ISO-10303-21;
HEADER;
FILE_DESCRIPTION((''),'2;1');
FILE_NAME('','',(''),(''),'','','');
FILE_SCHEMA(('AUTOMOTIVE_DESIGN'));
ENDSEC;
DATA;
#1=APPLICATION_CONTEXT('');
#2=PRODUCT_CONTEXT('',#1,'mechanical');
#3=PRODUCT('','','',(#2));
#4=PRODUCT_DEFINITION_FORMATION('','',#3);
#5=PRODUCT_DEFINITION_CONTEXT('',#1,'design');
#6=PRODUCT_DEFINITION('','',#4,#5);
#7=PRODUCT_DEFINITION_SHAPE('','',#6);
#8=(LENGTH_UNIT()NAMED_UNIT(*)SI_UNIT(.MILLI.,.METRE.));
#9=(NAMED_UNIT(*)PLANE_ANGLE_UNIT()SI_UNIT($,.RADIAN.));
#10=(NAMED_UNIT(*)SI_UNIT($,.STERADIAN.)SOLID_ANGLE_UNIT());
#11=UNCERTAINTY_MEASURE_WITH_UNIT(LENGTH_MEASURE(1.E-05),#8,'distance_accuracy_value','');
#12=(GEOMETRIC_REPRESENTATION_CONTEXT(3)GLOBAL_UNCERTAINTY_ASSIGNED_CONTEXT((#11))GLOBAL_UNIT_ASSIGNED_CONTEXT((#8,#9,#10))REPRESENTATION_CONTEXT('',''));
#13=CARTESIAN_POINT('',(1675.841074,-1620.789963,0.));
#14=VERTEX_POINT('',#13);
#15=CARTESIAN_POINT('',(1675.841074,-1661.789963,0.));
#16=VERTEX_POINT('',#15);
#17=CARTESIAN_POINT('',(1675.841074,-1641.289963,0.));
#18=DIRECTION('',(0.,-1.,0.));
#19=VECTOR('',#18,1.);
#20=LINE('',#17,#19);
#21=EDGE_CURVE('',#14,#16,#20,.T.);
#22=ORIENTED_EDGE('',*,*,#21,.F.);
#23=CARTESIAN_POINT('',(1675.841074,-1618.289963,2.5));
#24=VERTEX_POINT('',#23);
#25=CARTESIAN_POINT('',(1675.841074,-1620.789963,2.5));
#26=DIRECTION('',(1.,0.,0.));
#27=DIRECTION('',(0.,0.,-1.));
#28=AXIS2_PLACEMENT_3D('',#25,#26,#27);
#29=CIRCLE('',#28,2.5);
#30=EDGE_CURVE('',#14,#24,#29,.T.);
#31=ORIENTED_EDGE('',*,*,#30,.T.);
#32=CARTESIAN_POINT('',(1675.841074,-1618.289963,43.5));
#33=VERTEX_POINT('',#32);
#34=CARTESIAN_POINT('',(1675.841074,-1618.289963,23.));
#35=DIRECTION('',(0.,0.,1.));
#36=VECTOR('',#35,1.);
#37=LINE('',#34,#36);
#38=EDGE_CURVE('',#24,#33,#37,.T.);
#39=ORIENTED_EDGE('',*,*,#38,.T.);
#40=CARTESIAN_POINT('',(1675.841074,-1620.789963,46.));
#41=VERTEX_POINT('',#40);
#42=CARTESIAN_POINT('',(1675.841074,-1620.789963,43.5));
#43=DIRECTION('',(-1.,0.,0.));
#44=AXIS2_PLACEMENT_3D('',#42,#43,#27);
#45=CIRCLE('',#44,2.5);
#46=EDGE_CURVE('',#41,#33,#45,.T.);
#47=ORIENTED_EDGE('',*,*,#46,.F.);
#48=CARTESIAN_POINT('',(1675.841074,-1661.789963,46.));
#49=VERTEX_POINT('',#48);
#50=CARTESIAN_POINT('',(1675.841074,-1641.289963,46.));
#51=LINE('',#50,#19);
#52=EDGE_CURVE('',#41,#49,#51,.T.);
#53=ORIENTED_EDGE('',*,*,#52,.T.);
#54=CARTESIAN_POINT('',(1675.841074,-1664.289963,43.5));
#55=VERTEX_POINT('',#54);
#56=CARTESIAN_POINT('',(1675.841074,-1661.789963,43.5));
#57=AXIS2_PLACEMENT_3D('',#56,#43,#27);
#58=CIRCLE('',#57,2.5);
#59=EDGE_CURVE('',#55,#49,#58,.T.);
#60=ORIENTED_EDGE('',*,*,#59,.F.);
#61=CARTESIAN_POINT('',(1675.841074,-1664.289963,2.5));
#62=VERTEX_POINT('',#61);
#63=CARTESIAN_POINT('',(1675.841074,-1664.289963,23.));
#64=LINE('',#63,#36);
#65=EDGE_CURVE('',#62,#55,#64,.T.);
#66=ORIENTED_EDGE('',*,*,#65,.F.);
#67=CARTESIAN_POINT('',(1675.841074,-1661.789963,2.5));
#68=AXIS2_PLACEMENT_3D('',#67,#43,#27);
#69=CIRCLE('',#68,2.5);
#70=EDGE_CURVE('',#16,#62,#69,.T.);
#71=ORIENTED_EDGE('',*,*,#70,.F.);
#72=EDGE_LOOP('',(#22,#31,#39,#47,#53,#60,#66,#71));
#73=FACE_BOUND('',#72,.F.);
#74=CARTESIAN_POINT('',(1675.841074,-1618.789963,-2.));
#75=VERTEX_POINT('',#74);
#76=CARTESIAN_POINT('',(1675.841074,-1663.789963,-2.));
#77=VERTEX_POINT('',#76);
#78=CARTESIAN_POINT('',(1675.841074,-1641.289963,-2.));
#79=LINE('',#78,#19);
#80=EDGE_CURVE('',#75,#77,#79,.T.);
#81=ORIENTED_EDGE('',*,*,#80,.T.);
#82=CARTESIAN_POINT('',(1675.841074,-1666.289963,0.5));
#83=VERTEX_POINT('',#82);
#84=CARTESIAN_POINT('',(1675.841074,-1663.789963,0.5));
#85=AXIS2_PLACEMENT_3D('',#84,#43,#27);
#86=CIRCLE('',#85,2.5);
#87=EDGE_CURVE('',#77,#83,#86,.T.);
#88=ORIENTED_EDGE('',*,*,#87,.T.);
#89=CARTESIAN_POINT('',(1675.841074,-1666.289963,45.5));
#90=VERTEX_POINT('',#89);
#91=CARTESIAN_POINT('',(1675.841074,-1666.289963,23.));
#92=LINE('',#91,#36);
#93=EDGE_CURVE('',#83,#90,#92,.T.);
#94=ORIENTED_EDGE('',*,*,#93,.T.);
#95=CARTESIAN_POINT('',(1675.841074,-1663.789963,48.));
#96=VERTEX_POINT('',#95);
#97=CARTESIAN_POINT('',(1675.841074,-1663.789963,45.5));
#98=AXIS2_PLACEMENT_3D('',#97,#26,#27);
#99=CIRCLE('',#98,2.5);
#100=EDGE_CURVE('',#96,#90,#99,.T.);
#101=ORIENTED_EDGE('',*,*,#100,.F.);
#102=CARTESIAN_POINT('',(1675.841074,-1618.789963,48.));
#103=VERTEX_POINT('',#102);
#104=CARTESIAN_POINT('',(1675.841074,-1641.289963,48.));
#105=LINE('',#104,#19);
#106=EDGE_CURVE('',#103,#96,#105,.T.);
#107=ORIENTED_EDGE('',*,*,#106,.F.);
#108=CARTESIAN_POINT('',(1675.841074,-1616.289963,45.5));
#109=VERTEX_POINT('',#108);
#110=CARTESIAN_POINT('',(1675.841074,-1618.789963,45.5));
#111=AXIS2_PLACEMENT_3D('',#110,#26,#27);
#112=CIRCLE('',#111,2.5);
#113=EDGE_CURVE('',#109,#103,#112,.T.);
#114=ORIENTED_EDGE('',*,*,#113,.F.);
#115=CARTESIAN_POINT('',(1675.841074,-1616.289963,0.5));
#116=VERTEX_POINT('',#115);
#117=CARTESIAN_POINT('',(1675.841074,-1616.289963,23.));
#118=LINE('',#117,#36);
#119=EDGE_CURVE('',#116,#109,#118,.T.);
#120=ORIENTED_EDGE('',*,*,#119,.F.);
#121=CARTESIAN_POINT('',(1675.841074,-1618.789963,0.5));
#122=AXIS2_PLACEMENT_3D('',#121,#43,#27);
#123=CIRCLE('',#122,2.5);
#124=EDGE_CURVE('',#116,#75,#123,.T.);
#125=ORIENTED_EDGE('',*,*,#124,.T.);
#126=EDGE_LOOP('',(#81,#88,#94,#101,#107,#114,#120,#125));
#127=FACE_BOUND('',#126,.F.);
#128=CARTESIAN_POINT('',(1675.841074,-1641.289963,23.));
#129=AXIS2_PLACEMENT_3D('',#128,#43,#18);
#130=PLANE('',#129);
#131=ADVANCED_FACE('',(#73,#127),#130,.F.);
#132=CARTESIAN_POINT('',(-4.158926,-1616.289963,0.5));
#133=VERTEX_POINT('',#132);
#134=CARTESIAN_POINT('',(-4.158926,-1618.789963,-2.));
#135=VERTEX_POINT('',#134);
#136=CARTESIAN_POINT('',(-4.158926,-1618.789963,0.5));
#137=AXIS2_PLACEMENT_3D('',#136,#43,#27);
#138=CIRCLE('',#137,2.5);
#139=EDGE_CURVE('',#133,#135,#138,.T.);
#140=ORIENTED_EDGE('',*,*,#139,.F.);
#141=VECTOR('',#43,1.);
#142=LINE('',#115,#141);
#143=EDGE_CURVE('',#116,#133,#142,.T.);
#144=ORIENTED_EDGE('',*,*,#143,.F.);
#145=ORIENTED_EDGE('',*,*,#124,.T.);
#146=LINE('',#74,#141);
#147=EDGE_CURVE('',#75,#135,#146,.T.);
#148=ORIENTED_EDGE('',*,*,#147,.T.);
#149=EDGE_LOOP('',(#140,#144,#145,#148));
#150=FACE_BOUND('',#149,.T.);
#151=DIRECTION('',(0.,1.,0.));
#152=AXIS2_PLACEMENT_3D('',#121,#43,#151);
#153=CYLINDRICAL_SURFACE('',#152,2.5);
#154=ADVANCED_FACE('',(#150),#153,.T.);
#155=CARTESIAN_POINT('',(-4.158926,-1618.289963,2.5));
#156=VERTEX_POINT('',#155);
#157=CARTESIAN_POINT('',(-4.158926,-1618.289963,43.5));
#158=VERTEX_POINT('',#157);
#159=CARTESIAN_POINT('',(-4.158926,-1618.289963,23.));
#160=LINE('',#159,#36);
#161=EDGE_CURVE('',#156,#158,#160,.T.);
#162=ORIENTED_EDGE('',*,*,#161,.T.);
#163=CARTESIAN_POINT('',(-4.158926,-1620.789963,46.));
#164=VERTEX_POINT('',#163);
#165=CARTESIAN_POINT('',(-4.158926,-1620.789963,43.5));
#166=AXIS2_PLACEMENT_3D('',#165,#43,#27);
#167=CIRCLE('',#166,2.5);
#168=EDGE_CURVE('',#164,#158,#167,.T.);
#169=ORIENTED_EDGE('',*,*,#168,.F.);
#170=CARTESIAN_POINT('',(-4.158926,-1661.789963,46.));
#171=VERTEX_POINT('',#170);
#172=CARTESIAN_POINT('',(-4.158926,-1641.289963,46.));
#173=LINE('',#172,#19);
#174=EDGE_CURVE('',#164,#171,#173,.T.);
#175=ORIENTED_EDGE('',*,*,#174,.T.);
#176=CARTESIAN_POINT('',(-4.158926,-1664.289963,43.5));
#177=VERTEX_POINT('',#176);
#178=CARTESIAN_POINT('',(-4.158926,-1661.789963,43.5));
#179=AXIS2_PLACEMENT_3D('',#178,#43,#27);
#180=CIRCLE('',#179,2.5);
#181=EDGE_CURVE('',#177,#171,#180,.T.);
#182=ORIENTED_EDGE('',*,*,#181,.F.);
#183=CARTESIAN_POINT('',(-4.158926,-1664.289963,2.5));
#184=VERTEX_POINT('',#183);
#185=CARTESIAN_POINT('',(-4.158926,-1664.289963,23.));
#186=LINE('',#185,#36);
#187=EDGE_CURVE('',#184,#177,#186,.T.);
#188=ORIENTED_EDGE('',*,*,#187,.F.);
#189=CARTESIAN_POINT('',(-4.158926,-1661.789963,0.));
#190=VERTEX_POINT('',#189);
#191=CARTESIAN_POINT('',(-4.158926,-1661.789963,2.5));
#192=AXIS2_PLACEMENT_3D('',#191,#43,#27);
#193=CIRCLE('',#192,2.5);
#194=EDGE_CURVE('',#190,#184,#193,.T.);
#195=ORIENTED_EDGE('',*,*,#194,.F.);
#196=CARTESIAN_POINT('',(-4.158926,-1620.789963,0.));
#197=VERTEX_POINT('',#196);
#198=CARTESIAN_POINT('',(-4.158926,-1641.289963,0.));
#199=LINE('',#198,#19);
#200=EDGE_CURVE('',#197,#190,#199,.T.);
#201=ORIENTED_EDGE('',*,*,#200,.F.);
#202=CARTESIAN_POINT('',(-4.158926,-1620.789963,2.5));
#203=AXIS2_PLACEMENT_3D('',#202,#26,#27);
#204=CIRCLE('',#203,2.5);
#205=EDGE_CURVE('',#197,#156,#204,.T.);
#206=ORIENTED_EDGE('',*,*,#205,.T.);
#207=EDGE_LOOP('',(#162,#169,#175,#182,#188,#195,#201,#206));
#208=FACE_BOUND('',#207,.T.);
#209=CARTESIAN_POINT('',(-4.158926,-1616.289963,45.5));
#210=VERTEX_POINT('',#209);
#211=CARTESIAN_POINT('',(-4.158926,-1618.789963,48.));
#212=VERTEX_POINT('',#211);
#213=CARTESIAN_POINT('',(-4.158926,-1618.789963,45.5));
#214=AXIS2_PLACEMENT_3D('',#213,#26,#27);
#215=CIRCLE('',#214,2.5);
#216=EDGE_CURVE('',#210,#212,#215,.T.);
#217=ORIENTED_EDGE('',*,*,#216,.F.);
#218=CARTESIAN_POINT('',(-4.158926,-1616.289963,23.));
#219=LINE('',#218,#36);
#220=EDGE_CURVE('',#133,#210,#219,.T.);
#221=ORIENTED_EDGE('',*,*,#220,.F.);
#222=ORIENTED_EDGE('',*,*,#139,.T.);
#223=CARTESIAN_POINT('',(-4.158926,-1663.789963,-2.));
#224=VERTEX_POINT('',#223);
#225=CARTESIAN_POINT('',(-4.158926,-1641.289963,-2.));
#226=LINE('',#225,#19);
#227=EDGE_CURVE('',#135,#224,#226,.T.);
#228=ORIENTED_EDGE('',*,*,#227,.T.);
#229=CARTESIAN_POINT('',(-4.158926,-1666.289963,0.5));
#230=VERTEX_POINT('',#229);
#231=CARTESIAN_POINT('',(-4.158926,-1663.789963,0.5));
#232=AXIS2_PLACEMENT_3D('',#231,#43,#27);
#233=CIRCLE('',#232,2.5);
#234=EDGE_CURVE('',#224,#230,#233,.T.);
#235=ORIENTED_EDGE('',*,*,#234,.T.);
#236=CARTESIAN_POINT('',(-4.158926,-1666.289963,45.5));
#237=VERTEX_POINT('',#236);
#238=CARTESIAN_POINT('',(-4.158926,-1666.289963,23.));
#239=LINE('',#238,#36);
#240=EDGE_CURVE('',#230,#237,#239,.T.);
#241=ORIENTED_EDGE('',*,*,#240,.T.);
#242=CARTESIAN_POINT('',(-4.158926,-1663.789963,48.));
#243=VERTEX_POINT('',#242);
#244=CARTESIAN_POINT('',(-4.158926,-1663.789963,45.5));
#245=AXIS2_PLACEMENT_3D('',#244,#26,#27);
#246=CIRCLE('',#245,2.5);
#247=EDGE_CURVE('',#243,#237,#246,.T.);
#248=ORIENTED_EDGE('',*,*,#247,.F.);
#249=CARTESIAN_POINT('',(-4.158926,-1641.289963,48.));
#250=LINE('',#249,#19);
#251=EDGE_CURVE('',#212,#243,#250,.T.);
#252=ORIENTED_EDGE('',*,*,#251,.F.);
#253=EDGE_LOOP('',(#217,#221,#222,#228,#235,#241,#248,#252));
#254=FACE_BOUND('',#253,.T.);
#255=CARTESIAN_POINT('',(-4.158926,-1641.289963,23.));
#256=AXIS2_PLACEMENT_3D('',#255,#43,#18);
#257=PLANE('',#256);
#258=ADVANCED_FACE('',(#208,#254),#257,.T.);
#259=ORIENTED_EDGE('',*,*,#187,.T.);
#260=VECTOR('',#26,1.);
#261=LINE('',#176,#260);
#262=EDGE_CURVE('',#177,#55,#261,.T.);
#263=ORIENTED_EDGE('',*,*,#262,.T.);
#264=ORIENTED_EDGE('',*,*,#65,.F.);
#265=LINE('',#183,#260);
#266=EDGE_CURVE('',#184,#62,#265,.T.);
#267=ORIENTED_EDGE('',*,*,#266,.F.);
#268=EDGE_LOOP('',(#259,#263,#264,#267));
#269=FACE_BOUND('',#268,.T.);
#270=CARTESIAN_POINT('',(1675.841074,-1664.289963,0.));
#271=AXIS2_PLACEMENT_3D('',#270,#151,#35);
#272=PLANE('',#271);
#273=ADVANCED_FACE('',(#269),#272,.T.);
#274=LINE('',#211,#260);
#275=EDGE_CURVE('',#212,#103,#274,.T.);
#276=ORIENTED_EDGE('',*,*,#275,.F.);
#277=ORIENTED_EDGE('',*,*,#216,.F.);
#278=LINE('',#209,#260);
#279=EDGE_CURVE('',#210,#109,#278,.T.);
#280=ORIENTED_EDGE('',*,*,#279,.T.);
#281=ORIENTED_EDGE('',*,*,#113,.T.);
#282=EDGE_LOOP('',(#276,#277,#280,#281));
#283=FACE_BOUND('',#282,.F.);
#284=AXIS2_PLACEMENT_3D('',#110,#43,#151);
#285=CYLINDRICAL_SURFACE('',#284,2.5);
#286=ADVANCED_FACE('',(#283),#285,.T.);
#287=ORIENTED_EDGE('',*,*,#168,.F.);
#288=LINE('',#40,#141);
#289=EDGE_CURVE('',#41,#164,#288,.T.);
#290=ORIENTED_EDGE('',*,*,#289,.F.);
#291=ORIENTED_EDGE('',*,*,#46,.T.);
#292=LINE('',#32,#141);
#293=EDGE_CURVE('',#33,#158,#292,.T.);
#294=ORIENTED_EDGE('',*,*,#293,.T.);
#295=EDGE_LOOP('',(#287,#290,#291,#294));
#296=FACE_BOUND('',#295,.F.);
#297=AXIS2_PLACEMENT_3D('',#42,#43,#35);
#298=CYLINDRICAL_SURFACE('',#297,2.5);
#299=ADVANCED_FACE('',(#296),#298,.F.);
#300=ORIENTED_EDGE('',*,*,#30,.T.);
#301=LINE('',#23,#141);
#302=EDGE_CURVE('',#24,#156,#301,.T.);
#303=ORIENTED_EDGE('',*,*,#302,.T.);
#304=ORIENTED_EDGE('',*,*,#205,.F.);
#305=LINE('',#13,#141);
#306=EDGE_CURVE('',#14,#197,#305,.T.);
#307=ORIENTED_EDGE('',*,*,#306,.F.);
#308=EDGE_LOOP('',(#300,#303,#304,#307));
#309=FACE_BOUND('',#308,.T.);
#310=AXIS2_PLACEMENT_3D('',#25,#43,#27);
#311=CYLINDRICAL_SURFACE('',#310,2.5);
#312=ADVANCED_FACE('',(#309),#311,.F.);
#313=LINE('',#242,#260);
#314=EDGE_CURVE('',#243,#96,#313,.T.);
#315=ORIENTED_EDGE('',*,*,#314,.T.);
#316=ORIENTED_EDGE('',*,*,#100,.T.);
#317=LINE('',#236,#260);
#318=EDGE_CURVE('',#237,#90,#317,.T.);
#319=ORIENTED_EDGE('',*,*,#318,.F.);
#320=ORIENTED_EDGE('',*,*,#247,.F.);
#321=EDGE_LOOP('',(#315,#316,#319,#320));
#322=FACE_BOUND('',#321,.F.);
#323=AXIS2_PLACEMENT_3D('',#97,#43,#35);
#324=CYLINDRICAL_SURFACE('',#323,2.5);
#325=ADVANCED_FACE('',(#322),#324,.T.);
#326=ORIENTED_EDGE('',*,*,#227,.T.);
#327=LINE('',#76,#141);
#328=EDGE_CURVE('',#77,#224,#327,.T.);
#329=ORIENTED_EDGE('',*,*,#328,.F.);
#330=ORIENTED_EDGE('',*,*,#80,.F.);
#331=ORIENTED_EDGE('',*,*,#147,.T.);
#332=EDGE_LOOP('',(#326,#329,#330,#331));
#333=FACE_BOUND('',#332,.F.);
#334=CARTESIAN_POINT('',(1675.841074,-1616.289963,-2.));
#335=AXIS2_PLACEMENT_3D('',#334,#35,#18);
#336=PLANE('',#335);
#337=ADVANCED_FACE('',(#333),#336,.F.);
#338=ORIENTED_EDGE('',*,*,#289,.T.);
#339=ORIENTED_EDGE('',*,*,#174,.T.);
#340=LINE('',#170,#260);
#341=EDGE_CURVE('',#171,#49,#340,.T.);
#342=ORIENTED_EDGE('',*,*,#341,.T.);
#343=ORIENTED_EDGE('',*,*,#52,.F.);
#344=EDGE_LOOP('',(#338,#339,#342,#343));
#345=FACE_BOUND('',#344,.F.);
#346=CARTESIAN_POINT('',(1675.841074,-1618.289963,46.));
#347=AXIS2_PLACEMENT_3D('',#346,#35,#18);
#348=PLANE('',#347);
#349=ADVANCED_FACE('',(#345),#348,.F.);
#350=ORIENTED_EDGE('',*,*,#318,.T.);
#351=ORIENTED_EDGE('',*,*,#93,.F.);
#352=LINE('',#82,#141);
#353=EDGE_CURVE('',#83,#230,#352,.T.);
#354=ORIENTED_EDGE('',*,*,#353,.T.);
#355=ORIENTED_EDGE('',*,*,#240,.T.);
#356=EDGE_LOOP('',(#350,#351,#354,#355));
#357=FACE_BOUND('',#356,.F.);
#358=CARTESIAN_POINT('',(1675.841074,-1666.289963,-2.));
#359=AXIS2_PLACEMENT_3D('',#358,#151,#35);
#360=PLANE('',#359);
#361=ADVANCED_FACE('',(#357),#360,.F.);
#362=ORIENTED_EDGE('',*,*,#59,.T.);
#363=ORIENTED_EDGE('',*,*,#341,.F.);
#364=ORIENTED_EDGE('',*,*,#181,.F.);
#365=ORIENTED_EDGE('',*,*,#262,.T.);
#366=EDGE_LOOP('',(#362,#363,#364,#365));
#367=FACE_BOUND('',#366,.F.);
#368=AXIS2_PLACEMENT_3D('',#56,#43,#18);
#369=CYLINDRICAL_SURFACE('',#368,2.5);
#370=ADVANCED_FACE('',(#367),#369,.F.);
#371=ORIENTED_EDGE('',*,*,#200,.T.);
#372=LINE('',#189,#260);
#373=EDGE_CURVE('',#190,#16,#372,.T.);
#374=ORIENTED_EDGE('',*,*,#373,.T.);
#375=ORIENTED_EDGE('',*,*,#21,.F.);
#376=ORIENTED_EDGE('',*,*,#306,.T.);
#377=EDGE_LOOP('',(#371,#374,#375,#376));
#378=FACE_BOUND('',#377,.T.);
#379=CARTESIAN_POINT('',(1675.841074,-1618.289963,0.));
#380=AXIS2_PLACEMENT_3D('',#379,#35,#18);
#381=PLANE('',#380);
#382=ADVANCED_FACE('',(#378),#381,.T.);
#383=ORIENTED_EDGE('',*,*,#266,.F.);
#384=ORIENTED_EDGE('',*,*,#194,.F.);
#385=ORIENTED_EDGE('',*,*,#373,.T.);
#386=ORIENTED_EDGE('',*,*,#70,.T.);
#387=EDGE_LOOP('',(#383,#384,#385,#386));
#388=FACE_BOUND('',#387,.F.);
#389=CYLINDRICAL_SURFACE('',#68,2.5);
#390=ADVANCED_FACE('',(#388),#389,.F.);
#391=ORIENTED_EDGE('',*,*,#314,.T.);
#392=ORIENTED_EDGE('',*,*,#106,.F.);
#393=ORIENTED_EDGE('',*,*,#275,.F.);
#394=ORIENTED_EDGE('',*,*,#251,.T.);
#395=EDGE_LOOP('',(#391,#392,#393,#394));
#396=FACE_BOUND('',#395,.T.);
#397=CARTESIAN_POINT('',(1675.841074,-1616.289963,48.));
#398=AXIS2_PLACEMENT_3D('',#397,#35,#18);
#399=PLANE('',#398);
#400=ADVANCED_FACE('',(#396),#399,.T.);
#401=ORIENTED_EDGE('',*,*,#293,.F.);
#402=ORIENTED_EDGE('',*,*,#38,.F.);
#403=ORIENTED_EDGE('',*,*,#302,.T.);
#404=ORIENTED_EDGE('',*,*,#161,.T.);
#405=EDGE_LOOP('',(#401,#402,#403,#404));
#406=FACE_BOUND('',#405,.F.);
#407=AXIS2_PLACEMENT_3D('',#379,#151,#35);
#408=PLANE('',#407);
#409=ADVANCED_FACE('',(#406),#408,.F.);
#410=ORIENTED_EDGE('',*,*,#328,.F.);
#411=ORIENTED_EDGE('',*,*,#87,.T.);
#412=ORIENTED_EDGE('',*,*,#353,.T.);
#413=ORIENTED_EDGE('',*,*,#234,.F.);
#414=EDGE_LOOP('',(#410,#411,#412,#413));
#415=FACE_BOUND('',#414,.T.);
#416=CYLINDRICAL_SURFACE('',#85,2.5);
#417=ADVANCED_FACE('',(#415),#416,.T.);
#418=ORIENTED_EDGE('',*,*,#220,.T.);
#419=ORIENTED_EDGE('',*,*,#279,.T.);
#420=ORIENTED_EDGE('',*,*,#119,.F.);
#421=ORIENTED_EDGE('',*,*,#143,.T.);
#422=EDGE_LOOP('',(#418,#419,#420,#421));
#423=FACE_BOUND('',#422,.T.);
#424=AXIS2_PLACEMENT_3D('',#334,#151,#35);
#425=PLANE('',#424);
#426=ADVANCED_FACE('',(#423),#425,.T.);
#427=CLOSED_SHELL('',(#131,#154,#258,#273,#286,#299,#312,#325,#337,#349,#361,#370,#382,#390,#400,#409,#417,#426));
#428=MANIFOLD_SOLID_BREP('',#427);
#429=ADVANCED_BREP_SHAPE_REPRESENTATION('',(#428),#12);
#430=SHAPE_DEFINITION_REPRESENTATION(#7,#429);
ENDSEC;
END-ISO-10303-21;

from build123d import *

# Parameters (mm, degrees)
F0_W      = 50
F0_H      = 50
F0_W_2    = 46
F0_H_2    = 46
F1_DEPTH  = 860
F2_R      = 2.5
F3_R      = 2.5
F8_DEPTH  = 820
F9_ANGLE  = 90
F10_ANGLE = 90


with BuildPart() as f1:
    # F0 (on Top) → F1 (new body)
    with BuildSketch(Plane.XY):
        with Locations((-29.1589260101, 36.7100374773)):
            Rectangle(F0_W, F0_H)
        with Locations((-29.1589260101, 36.7100374773)):
            Rectangle(F0_W_2, F0_H_2, mode=Mode.SUBTRACT)
    extrude(amount=F1_DEPTH)

    # F2
    f2_edges = [f1.edges().sort_by_distance(p)[0] for p in [
        (-4.158926, 61.710037, 430),
        (-54.158926, 61.710037, 430),
        (-4.158926, 11.710037, 430),
        (-54.158926, 11.710037, 430),
    ]]
    fillet(f2_edges, radius=F2_R)

    # F3
    f3_edges = [f1.edges().sort_by_distance(p)[0] for p in [
        (-6.158926, 59.710037, 430),
        (-52.158926, 59.710037, 430),
        (-52.158926, 13.710037, 430),
        (-6.158926, 13.710037, 430),
    ]]
    fillet(f3_edges, radius=F3_R)


with BuildPart() as f4_1:
    # F4: copy of F1
    add(f1.part)


with BuildPart() as f6_1:
    # F6: copy of F1
    add(f1.part)


with BuildPart() as f1_1:
    add(f1.part)

    # F8 (add, symmetric): a face of the model
    f8_faces = [f1_1.faces().sort_by_distance(p)[0] for p in [
        (-29.1589260101, 13.0029306961, 860),
    ]]
    extrude(f8_faces, amount=F8_DEPTH, both=True)


with BuildPart() as f1_2:
    # F9: moved
    add(f1_1.part.rotate(Axis((-29.1589260101, 13.7100374773, 0), (1, 0, 0)), F9_ANGLE))


with BuildPart() as f1_3:
    # F10: moved
    add(f1_2.part.rotate(Axis((-4.1589260101, -1666.2899625227, 23), (0, 0, -1)), F10_ANGLE))


solid = f1_3.part
